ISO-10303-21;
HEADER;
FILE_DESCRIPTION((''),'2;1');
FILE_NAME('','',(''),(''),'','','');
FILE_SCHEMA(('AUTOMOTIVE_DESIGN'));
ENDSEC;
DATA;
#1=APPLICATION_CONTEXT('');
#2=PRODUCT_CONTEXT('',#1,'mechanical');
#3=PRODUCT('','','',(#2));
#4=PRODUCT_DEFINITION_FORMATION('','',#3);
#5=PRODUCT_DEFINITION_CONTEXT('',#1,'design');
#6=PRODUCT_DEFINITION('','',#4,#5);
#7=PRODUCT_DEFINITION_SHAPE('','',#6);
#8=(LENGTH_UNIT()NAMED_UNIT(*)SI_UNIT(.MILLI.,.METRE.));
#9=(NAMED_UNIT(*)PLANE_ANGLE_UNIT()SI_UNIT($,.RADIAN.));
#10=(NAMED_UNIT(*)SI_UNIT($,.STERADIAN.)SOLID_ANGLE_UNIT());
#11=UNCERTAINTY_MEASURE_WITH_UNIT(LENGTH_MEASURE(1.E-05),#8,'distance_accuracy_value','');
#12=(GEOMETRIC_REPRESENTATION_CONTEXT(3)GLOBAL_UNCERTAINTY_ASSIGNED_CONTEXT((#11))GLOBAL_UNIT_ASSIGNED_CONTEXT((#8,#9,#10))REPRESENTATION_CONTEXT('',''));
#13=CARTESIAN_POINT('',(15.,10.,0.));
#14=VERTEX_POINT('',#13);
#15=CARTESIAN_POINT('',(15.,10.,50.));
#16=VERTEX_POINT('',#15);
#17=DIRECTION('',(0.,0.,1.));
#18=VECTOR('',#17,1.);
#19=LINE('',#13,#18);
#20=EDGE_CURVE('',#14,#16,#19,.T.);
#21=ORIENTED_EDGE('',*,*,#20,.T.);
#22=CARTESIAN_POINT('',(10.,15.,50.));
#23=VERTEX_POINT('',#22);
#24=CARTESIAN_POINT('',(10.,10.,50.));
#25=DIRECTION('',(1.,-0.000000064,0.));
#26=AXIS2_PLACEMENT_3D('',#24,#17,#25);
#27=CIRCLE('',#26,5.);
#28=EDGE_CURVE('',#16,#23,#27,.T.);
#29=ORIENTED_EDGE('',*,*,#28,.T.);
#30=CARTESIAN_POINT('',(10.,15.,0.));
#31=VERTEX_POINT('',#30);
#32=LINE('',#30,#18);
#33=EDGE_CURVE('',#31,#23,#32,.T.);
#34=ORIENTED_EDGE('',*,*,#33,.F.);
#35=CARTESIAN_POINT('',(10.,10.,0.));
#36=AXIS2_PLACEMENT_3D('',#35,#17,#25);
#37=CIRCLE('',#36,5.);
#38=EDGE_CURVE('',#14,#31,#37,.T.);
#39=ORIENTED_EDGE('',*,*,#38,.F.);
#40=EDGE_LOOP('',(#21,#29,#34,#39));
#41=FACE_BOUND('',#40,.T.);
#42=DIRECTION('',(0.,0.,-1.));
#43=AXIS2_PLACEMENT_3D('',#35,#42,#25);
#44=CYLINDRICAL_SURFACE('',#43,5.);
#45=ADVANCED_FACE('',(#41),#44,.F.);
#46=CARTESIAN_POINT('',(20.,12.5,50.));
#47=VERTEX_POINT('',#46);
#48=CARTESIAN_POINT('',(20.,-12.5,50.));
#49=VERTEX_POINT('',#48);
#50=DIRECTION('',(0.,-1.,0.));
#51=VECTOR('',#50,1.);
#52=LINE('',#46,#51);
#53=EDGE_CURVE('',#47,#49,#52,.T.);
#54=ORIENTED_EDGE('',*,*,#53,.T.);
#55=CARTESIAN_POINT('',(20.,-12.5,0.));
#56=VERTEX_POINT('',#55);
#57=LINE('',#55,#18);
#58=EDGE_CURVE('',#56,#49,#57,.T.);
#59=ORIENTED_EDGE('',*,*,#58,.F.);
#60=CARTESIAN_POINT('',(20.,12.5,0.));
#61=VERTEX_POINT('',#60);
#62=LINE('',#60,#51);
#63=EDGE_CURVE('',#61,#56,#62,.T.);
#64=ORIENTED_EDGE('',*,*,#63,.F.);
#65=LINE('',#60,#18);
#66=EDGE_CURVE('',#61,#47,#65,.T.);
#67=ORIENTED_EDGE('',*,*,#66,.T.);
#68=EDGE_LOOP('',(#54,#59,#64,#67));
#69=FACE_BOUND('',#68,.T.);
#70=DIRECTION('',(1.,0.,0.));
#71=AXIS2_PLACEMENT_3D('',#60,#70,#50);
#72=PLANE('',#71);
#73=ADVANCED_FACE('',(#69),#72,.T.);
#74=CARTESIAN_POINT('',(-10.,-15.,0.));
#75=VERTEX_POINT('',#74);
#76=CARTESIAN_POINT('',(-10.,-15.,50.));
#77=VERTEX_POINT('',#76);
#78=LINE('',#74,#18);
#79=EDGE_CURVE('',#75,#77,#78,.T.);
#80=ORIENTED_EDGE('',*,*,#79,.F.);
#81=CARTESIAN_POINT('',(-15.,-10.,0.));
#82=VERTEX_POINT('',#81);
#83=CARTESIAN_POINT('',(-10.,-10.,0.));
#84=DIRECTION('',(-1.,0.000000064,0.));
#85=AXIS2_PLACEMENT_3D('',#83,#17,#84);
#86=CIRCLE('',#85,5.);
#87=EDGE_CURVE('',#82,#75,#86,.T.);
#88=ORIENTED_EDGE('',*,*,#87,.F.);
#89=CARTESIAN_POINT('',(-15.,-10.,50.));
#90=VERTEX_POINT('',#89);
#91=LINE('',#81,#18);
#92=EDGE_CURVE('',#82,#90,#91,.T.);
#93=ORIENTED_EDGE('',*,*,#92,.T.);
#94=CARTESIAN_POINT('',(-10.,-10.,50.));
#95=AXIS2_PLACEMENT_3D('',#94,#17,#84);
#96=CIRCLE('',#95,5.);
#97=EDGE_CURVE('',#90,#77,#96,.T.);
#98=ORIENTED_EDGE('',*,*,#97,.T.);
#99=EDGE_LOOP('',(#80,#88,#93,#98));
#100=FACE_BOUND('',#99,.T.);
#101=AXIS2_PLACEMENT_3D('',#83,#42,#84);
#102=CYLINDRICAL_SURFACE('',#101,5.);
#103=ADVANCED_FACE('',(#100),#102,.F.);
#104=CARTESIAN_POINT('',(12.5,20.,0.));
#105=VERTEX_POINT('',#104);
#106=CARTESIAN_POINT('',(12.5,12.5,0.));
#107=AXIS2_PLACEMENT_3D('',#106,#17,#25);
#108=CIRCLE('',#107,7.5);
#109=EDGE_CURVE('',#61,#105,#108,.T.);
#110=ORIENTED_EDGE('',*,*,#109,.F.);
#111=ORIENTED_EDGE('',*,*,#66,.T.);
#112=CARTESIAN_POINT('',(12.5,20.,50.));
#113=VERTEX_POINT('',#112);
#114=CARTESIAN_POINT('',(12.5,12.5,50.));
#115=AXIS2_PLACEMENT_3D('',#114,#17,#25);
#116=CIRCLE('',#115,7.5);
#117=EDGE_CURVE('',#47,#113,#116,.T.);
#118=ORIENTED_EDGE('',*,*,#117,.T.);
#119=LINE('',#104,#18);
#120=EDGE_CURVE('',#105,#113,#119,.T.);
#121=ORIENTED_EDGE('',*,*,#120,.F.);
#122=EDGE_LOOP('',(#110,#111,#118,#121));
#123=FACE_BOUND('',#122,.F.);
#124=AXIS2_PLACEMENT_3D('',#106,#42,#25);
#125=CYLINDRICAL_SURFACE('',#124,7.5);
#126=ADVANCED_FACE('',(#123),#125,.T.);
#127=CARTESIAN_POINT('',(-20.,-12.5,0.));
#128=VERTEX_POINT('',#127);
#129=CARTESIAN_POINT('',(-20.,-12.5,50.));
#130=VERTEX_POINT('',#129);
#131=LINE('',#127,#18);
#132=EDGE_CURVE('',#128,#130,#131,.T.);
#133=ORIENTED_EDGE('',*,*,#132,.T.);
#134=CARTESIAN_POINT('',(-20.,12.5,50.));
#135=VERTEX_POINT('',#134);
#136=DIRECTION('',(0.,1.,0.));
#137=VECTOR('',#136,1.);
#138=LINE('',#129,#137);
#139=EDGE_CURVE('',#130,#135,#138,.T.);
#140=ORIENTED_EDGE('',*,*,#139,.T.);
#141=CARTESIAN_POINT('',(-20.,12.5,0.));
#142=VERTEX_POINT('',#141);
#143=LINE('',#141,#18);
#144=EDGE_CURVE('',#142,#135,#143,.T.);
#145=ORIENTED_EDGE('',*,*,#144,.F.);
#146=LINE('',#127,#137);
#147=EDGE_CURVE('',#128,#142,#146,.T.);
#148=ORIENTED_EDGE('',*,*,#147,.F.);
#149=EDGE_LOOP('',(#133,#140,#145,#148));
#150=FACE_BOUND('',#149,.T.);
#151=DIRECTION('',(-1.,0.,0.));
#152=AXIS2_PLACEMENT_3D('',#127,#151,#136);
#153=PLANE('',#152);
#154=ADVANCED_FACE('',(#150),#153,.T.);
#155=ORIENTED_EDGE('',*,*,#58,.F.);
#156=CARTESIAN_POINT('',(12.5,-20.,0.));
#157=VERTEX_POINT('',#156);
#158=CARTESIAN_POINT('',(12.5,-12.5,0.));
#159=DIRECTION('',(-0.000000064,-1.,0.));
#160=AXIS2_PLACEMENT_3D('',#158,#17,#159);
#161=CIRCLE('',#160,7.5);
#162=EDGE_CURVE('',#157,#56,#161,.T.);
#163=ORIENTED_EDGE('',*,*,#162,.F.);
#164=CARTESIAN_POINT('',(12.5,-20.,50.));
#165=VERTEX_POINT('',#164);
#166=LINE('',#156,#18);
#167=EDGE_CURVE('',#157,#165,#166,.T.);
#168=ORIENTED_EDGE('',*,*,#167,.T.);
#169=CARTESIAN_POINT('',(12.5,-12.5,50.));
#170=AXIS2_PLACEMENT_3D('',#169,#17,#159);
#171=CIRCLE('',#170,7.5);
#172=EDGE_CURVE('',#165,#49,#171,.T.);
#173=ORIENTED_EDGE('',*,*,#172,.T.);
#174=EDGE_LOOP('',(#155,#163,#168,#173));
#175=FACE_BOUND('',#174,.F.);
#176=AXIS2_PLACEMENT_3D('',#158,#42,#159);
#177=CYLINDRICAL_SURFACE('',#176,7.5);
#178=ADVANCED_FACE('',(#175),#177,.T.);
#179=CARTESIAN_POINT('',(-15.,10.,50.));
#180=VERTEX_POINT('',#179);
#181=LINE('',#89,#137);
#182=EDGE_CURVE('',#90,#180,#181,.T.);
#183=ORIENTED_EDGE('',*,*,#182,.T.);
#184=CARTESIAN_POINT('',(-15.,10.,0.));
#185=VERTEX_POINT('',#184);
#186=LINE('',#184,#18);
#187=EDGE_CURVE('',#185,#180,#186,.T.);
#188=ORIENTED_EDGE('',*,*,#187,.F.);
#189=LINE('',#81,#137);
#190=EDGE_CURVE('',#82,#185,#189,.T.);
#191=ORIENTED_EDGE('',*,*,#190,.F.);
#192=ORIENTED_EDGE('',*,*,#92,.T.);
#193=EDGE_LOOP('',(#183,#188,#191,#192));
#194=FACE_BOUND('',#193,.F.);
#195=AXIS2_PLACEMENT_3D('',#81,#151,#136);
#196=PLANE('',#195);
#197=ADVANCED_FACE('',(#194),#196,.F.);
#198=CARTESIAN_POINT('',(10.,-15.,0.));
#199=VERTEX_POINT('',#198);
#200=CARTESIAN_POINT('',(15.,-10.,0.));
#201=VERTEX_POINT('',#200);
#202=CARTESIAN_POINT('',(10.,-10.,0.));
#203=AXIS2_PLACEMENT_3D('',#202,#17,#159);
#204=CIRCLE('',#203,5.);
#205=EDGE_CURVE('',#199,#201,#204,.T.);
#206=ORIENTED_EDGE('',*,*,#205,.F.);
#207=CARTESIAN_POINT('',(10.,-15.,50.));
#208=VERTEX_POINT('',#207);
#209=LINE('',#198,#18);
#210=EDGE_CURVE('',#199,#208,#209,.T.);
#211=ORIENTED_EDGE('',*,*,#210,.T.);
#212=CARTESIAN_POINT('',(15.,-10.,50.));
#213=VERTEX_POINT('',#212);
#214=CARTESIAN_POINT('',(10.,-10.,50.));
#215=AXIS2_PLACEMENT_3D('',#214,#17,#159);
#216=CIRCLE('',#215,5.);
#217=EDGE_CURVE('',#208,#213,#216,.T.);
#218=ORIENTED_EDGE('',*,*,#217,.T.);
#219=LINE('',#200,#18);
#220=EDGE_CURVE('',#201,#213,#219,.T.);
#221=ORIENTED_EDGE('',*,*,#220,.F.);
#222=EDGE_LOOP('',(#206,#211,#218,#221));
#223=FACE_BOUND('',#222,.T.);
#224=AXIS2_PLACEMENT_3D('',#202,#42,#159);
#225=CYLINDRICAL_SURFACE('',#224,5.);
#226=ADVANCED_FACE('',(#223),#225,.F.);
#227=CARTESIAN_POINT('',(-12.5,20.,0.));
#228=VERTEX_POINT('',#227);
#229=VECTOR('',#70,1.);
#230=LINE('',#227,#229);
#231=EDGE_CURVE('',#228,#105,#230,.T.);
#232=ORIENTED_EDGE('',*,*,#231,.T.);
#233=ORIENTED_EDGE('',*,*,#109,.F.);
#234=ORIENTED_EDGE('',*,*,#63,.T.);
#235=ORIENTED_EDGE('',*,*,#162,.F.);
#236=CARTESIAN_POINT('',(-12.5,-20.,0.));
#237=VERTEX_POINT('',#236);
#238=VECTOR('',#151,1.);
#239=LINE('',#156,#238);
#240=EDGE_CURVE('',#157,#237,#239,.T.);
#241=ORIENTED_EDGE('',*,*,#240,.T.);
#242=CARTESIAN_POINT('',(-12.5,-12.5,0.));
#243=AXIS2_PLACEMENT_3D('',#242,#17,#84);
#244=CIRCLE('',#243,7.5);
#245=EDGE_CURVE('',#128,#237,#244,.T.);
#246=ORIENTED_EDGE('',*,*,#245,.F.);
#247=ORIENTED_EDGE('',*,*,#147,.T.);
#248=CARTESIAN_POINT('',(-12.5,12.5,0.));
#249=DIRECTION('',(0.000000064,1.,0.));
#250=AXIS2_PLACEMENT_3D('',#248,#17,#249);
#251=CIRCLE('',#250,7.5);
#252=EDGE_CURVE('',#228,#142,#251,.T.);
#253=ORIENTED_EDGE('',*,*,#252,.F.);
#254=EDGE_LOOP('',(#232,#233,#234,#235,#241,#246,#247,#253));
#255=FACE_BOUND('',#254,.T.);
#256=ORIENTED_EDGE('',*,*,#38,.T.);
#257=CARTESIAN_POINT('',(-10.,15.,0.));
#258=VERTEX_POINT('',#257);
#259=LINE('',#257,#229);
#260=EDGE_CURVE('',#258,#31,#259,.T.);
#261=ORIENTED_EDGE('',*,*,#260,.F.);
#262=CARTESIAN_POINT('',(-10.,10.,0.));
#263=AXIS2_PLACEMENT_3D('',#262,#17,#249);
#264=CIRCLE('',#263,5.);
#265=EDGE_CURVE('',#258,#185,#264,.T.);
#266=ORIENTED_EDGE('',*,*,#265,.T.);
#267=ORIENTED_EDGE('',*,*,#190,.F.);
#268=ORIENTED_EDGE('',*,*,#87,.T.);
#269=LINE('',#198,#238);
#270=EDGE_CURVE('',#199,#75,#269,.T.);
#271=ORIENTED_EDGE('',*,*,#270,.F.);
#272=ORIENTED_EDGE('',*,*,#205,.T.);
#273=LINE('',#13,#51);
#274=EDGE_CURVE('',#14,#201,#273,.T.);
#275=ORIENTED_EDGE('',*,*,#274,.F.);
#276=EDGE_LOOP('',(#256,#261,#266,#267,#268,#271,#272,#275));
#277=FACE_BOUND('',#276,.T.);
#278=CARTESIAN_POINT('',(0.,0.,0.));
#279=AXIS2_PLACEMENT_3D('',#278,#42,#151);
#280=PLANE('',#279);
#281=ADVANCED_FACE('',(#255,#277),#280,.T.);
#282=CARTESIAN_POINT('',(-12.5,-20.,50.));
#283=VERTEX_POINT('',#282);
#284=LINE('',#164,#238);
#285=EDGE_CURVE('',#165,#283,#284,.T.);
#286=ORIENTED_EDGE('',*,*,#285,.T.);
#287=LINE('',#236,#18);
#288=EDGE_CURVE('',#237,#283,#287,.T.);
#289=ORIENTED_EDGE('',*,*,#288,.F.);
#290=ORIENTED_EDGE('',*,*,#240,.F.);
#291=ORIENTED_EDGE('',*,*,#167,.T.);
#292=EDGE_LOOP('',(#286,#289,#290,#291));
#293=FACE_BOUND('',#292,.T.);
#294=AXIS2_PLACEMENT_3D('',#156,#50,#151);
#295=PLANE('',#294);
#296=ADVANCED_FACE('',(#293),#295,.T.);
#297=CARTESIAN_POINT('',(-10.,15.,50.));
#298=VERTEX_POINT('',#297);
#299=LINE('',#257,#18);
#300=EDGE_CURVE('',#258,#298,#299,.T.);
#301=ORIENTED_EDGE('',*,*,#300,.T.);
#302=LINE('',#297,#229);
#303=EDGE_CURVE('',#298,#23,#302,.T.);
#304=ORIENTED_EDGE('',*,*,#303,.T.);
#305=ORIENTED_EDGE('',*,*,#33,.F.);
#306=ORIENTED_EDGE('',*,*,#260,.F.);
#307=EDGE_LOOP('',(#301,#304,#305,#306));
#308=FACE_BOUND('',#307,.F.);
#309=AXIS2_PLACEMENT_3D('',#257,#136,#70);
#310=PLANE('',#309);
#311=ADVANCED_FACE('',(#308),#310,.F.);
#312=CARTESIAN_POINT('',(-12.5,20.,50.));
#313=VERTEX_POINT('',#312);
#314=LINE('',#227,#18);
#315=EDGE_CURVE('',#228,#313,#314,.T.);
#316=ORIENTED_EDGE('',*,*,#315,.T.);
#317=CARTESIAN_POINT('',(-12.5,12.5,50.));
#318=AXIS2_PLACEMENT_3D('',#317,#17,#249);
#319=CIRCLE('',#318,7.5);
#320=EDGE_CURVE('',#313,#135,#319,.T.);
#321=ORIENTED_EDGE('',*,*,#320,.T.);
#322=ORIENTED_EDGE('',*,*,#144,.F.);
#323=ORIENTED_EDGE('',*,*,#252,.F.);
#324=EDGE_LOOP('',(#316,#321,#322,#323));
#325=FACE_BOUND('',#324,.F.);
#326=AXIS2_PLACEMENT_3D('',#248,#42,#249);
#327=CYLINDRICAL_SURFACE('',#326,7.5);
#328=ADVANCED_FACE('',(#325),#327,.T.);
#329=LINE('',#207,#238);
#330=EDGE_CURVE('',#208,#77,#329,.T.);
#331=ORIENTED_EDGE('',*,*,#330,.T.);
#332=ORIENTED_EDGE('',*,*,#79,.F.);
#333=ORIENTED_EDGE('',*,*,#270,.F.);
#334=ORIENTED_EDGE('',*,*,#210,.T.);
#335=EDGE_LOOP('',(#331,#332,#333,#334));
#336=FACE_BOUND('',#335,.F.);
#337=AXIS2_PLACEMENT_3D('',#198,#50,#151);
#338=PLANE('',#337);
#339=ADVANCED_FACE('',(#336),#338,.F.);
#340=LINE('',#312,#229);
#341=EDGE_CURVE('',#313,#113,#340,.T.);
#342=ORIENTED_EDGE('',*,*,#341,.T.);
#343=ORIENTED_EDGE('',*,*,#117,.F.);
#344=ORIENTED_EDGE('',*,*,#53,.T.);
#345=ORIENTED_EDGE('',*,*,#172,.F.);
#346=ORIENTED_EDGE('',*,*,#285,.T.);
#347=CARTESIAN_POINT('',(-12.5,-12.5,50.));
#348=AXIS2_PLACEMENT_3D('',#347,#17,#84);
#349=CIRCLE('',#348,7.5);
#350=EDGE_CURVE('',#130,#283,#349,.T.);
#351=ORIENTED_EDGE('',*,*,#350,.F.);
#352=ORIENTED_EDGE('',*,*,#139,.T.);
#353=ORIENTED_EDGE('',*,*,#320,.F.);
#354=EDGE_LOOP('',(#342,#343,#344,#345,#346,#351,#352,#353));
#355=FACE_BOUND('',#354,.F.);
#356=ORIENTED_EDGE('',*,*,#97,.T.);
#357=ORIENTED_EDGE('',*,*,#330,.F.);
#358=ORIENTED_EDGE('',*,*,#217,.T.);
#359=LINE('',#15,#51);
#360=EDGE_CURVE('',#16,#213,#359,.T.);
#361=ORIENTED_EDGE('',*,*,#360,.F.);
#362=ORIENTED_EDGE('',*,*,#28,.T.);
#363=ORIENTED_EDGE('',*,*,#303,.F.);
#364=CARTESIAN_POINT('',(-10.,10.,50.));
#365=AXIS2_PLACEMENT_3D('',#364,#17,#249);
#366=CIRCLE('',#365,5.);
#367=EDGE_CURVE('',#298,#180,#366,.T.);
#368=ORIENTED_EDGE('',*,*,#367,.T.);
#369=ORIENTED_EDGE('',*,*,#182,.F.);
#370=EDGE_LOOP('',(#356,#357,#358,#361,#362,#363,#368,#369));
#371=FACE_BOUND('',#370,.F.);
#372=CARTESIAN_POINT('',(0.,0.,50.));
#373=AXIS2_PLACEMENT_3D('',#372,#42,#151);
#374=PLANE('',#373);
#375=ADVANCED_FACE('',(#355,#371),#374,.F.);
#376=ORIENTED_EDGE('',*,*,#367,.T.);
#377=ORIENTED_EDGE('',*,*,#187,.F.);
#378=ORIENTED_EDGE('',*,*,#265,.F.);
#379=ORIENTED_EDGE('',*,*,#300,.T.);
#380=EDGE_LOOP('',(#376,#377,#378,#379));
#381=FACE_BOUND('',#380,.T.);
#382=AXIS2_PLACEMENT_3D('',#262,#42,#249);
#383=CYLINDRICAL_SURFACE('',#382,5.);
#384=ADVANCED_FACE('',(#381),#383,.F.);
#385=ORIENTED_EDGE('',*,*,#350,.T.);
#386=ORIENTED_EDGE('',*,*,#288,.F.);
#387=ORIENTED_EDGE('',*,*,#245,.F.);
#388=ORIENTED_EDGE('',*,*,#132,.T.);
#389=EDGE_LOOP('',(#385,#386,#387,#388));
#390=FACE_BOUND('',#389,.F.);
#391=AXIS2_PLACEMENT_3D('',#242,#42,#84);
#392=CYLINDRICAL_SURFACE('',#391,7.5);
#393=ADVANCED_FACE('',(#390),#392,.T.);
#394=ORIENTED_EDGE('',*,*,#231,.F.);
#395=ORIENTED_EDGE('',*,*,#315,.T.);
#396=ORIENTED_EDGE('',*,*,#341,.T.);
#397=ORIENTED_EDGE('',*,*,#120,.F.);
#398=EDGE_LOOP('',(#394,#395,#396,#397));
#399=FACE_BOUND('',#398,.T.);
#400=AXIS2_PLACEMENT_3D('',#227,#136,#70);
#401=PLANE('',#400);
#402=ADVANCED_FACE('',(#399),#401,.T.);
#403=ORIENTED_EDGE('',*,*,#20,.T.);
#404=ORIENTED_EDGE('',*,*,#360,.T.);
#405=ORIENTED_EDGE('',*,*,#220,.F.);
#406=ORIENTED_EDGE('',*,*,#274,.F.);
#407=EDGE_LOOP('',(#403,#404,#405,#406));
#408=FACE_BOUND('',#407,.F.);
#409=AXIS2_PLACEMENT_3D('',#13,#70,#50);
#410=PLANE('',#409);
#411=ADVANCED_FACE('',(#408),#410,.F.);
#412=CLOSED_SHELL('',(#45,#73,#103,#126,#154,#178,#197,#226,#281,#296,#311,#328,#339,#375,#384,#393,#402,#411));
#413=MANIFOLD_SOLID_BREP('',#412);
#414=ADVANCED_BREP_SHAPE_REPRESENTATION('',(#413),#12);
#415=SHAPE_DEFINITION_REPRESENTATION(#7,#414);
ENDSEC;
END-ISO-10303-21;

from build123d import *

# Parameters (mm, degrees)
EXTRUDE_DEPTH = 50


with BuildPart() as part:
    # Sketch → Extrude (new body)
    with BuildSketch(Plane.XY):
        with BuildLine():
            Line((-12.5, 20), (12.5, 20))
            ThreePointArc((20, 12.5), (17.803301, 17.803301), (12.5, 20))
            Line((20, 12.5), (20, -12.5))
            ThreePointArc((12.5, -20), (17.803301, -17.803301), (20, -12.5))
            Line((12.5, -20), (-12.5, -20))
            ThreePointArc((-20, -12.5), (-17.803301, -17.803301), (-12.5, -20))
            Line((-20, -12.5), (-20, 12.5))
            ThreePointArc((-12.5, 20), (-17.803301, 17.803301), (-20, 12.5))
        make_face()
        with BuildLine():
            Line((-10, 15), (10, 15))
            ThreePointArc((15, 10), (13.535534, 13.535534), (10, 15))
            Line((15, 10), (15, -10))
            ThreePointArc((10, -15), (13.535534, -13.535534), (15, -10))
            Line((10, -15), (-10, -15))
            ThreePointArc((-15, -10), (-13.535534, -13.535534), (-10, -15))
            Line((-15, -10), (-15, 10))
            ThreePointArc((-10, 15), (-13.535534, 13.535534), (-15, 10))
        make_face(mode=Mode.SUBTRACT)
    extrude(amount=EXTRUDE_DEPTH)


solid = part.part
